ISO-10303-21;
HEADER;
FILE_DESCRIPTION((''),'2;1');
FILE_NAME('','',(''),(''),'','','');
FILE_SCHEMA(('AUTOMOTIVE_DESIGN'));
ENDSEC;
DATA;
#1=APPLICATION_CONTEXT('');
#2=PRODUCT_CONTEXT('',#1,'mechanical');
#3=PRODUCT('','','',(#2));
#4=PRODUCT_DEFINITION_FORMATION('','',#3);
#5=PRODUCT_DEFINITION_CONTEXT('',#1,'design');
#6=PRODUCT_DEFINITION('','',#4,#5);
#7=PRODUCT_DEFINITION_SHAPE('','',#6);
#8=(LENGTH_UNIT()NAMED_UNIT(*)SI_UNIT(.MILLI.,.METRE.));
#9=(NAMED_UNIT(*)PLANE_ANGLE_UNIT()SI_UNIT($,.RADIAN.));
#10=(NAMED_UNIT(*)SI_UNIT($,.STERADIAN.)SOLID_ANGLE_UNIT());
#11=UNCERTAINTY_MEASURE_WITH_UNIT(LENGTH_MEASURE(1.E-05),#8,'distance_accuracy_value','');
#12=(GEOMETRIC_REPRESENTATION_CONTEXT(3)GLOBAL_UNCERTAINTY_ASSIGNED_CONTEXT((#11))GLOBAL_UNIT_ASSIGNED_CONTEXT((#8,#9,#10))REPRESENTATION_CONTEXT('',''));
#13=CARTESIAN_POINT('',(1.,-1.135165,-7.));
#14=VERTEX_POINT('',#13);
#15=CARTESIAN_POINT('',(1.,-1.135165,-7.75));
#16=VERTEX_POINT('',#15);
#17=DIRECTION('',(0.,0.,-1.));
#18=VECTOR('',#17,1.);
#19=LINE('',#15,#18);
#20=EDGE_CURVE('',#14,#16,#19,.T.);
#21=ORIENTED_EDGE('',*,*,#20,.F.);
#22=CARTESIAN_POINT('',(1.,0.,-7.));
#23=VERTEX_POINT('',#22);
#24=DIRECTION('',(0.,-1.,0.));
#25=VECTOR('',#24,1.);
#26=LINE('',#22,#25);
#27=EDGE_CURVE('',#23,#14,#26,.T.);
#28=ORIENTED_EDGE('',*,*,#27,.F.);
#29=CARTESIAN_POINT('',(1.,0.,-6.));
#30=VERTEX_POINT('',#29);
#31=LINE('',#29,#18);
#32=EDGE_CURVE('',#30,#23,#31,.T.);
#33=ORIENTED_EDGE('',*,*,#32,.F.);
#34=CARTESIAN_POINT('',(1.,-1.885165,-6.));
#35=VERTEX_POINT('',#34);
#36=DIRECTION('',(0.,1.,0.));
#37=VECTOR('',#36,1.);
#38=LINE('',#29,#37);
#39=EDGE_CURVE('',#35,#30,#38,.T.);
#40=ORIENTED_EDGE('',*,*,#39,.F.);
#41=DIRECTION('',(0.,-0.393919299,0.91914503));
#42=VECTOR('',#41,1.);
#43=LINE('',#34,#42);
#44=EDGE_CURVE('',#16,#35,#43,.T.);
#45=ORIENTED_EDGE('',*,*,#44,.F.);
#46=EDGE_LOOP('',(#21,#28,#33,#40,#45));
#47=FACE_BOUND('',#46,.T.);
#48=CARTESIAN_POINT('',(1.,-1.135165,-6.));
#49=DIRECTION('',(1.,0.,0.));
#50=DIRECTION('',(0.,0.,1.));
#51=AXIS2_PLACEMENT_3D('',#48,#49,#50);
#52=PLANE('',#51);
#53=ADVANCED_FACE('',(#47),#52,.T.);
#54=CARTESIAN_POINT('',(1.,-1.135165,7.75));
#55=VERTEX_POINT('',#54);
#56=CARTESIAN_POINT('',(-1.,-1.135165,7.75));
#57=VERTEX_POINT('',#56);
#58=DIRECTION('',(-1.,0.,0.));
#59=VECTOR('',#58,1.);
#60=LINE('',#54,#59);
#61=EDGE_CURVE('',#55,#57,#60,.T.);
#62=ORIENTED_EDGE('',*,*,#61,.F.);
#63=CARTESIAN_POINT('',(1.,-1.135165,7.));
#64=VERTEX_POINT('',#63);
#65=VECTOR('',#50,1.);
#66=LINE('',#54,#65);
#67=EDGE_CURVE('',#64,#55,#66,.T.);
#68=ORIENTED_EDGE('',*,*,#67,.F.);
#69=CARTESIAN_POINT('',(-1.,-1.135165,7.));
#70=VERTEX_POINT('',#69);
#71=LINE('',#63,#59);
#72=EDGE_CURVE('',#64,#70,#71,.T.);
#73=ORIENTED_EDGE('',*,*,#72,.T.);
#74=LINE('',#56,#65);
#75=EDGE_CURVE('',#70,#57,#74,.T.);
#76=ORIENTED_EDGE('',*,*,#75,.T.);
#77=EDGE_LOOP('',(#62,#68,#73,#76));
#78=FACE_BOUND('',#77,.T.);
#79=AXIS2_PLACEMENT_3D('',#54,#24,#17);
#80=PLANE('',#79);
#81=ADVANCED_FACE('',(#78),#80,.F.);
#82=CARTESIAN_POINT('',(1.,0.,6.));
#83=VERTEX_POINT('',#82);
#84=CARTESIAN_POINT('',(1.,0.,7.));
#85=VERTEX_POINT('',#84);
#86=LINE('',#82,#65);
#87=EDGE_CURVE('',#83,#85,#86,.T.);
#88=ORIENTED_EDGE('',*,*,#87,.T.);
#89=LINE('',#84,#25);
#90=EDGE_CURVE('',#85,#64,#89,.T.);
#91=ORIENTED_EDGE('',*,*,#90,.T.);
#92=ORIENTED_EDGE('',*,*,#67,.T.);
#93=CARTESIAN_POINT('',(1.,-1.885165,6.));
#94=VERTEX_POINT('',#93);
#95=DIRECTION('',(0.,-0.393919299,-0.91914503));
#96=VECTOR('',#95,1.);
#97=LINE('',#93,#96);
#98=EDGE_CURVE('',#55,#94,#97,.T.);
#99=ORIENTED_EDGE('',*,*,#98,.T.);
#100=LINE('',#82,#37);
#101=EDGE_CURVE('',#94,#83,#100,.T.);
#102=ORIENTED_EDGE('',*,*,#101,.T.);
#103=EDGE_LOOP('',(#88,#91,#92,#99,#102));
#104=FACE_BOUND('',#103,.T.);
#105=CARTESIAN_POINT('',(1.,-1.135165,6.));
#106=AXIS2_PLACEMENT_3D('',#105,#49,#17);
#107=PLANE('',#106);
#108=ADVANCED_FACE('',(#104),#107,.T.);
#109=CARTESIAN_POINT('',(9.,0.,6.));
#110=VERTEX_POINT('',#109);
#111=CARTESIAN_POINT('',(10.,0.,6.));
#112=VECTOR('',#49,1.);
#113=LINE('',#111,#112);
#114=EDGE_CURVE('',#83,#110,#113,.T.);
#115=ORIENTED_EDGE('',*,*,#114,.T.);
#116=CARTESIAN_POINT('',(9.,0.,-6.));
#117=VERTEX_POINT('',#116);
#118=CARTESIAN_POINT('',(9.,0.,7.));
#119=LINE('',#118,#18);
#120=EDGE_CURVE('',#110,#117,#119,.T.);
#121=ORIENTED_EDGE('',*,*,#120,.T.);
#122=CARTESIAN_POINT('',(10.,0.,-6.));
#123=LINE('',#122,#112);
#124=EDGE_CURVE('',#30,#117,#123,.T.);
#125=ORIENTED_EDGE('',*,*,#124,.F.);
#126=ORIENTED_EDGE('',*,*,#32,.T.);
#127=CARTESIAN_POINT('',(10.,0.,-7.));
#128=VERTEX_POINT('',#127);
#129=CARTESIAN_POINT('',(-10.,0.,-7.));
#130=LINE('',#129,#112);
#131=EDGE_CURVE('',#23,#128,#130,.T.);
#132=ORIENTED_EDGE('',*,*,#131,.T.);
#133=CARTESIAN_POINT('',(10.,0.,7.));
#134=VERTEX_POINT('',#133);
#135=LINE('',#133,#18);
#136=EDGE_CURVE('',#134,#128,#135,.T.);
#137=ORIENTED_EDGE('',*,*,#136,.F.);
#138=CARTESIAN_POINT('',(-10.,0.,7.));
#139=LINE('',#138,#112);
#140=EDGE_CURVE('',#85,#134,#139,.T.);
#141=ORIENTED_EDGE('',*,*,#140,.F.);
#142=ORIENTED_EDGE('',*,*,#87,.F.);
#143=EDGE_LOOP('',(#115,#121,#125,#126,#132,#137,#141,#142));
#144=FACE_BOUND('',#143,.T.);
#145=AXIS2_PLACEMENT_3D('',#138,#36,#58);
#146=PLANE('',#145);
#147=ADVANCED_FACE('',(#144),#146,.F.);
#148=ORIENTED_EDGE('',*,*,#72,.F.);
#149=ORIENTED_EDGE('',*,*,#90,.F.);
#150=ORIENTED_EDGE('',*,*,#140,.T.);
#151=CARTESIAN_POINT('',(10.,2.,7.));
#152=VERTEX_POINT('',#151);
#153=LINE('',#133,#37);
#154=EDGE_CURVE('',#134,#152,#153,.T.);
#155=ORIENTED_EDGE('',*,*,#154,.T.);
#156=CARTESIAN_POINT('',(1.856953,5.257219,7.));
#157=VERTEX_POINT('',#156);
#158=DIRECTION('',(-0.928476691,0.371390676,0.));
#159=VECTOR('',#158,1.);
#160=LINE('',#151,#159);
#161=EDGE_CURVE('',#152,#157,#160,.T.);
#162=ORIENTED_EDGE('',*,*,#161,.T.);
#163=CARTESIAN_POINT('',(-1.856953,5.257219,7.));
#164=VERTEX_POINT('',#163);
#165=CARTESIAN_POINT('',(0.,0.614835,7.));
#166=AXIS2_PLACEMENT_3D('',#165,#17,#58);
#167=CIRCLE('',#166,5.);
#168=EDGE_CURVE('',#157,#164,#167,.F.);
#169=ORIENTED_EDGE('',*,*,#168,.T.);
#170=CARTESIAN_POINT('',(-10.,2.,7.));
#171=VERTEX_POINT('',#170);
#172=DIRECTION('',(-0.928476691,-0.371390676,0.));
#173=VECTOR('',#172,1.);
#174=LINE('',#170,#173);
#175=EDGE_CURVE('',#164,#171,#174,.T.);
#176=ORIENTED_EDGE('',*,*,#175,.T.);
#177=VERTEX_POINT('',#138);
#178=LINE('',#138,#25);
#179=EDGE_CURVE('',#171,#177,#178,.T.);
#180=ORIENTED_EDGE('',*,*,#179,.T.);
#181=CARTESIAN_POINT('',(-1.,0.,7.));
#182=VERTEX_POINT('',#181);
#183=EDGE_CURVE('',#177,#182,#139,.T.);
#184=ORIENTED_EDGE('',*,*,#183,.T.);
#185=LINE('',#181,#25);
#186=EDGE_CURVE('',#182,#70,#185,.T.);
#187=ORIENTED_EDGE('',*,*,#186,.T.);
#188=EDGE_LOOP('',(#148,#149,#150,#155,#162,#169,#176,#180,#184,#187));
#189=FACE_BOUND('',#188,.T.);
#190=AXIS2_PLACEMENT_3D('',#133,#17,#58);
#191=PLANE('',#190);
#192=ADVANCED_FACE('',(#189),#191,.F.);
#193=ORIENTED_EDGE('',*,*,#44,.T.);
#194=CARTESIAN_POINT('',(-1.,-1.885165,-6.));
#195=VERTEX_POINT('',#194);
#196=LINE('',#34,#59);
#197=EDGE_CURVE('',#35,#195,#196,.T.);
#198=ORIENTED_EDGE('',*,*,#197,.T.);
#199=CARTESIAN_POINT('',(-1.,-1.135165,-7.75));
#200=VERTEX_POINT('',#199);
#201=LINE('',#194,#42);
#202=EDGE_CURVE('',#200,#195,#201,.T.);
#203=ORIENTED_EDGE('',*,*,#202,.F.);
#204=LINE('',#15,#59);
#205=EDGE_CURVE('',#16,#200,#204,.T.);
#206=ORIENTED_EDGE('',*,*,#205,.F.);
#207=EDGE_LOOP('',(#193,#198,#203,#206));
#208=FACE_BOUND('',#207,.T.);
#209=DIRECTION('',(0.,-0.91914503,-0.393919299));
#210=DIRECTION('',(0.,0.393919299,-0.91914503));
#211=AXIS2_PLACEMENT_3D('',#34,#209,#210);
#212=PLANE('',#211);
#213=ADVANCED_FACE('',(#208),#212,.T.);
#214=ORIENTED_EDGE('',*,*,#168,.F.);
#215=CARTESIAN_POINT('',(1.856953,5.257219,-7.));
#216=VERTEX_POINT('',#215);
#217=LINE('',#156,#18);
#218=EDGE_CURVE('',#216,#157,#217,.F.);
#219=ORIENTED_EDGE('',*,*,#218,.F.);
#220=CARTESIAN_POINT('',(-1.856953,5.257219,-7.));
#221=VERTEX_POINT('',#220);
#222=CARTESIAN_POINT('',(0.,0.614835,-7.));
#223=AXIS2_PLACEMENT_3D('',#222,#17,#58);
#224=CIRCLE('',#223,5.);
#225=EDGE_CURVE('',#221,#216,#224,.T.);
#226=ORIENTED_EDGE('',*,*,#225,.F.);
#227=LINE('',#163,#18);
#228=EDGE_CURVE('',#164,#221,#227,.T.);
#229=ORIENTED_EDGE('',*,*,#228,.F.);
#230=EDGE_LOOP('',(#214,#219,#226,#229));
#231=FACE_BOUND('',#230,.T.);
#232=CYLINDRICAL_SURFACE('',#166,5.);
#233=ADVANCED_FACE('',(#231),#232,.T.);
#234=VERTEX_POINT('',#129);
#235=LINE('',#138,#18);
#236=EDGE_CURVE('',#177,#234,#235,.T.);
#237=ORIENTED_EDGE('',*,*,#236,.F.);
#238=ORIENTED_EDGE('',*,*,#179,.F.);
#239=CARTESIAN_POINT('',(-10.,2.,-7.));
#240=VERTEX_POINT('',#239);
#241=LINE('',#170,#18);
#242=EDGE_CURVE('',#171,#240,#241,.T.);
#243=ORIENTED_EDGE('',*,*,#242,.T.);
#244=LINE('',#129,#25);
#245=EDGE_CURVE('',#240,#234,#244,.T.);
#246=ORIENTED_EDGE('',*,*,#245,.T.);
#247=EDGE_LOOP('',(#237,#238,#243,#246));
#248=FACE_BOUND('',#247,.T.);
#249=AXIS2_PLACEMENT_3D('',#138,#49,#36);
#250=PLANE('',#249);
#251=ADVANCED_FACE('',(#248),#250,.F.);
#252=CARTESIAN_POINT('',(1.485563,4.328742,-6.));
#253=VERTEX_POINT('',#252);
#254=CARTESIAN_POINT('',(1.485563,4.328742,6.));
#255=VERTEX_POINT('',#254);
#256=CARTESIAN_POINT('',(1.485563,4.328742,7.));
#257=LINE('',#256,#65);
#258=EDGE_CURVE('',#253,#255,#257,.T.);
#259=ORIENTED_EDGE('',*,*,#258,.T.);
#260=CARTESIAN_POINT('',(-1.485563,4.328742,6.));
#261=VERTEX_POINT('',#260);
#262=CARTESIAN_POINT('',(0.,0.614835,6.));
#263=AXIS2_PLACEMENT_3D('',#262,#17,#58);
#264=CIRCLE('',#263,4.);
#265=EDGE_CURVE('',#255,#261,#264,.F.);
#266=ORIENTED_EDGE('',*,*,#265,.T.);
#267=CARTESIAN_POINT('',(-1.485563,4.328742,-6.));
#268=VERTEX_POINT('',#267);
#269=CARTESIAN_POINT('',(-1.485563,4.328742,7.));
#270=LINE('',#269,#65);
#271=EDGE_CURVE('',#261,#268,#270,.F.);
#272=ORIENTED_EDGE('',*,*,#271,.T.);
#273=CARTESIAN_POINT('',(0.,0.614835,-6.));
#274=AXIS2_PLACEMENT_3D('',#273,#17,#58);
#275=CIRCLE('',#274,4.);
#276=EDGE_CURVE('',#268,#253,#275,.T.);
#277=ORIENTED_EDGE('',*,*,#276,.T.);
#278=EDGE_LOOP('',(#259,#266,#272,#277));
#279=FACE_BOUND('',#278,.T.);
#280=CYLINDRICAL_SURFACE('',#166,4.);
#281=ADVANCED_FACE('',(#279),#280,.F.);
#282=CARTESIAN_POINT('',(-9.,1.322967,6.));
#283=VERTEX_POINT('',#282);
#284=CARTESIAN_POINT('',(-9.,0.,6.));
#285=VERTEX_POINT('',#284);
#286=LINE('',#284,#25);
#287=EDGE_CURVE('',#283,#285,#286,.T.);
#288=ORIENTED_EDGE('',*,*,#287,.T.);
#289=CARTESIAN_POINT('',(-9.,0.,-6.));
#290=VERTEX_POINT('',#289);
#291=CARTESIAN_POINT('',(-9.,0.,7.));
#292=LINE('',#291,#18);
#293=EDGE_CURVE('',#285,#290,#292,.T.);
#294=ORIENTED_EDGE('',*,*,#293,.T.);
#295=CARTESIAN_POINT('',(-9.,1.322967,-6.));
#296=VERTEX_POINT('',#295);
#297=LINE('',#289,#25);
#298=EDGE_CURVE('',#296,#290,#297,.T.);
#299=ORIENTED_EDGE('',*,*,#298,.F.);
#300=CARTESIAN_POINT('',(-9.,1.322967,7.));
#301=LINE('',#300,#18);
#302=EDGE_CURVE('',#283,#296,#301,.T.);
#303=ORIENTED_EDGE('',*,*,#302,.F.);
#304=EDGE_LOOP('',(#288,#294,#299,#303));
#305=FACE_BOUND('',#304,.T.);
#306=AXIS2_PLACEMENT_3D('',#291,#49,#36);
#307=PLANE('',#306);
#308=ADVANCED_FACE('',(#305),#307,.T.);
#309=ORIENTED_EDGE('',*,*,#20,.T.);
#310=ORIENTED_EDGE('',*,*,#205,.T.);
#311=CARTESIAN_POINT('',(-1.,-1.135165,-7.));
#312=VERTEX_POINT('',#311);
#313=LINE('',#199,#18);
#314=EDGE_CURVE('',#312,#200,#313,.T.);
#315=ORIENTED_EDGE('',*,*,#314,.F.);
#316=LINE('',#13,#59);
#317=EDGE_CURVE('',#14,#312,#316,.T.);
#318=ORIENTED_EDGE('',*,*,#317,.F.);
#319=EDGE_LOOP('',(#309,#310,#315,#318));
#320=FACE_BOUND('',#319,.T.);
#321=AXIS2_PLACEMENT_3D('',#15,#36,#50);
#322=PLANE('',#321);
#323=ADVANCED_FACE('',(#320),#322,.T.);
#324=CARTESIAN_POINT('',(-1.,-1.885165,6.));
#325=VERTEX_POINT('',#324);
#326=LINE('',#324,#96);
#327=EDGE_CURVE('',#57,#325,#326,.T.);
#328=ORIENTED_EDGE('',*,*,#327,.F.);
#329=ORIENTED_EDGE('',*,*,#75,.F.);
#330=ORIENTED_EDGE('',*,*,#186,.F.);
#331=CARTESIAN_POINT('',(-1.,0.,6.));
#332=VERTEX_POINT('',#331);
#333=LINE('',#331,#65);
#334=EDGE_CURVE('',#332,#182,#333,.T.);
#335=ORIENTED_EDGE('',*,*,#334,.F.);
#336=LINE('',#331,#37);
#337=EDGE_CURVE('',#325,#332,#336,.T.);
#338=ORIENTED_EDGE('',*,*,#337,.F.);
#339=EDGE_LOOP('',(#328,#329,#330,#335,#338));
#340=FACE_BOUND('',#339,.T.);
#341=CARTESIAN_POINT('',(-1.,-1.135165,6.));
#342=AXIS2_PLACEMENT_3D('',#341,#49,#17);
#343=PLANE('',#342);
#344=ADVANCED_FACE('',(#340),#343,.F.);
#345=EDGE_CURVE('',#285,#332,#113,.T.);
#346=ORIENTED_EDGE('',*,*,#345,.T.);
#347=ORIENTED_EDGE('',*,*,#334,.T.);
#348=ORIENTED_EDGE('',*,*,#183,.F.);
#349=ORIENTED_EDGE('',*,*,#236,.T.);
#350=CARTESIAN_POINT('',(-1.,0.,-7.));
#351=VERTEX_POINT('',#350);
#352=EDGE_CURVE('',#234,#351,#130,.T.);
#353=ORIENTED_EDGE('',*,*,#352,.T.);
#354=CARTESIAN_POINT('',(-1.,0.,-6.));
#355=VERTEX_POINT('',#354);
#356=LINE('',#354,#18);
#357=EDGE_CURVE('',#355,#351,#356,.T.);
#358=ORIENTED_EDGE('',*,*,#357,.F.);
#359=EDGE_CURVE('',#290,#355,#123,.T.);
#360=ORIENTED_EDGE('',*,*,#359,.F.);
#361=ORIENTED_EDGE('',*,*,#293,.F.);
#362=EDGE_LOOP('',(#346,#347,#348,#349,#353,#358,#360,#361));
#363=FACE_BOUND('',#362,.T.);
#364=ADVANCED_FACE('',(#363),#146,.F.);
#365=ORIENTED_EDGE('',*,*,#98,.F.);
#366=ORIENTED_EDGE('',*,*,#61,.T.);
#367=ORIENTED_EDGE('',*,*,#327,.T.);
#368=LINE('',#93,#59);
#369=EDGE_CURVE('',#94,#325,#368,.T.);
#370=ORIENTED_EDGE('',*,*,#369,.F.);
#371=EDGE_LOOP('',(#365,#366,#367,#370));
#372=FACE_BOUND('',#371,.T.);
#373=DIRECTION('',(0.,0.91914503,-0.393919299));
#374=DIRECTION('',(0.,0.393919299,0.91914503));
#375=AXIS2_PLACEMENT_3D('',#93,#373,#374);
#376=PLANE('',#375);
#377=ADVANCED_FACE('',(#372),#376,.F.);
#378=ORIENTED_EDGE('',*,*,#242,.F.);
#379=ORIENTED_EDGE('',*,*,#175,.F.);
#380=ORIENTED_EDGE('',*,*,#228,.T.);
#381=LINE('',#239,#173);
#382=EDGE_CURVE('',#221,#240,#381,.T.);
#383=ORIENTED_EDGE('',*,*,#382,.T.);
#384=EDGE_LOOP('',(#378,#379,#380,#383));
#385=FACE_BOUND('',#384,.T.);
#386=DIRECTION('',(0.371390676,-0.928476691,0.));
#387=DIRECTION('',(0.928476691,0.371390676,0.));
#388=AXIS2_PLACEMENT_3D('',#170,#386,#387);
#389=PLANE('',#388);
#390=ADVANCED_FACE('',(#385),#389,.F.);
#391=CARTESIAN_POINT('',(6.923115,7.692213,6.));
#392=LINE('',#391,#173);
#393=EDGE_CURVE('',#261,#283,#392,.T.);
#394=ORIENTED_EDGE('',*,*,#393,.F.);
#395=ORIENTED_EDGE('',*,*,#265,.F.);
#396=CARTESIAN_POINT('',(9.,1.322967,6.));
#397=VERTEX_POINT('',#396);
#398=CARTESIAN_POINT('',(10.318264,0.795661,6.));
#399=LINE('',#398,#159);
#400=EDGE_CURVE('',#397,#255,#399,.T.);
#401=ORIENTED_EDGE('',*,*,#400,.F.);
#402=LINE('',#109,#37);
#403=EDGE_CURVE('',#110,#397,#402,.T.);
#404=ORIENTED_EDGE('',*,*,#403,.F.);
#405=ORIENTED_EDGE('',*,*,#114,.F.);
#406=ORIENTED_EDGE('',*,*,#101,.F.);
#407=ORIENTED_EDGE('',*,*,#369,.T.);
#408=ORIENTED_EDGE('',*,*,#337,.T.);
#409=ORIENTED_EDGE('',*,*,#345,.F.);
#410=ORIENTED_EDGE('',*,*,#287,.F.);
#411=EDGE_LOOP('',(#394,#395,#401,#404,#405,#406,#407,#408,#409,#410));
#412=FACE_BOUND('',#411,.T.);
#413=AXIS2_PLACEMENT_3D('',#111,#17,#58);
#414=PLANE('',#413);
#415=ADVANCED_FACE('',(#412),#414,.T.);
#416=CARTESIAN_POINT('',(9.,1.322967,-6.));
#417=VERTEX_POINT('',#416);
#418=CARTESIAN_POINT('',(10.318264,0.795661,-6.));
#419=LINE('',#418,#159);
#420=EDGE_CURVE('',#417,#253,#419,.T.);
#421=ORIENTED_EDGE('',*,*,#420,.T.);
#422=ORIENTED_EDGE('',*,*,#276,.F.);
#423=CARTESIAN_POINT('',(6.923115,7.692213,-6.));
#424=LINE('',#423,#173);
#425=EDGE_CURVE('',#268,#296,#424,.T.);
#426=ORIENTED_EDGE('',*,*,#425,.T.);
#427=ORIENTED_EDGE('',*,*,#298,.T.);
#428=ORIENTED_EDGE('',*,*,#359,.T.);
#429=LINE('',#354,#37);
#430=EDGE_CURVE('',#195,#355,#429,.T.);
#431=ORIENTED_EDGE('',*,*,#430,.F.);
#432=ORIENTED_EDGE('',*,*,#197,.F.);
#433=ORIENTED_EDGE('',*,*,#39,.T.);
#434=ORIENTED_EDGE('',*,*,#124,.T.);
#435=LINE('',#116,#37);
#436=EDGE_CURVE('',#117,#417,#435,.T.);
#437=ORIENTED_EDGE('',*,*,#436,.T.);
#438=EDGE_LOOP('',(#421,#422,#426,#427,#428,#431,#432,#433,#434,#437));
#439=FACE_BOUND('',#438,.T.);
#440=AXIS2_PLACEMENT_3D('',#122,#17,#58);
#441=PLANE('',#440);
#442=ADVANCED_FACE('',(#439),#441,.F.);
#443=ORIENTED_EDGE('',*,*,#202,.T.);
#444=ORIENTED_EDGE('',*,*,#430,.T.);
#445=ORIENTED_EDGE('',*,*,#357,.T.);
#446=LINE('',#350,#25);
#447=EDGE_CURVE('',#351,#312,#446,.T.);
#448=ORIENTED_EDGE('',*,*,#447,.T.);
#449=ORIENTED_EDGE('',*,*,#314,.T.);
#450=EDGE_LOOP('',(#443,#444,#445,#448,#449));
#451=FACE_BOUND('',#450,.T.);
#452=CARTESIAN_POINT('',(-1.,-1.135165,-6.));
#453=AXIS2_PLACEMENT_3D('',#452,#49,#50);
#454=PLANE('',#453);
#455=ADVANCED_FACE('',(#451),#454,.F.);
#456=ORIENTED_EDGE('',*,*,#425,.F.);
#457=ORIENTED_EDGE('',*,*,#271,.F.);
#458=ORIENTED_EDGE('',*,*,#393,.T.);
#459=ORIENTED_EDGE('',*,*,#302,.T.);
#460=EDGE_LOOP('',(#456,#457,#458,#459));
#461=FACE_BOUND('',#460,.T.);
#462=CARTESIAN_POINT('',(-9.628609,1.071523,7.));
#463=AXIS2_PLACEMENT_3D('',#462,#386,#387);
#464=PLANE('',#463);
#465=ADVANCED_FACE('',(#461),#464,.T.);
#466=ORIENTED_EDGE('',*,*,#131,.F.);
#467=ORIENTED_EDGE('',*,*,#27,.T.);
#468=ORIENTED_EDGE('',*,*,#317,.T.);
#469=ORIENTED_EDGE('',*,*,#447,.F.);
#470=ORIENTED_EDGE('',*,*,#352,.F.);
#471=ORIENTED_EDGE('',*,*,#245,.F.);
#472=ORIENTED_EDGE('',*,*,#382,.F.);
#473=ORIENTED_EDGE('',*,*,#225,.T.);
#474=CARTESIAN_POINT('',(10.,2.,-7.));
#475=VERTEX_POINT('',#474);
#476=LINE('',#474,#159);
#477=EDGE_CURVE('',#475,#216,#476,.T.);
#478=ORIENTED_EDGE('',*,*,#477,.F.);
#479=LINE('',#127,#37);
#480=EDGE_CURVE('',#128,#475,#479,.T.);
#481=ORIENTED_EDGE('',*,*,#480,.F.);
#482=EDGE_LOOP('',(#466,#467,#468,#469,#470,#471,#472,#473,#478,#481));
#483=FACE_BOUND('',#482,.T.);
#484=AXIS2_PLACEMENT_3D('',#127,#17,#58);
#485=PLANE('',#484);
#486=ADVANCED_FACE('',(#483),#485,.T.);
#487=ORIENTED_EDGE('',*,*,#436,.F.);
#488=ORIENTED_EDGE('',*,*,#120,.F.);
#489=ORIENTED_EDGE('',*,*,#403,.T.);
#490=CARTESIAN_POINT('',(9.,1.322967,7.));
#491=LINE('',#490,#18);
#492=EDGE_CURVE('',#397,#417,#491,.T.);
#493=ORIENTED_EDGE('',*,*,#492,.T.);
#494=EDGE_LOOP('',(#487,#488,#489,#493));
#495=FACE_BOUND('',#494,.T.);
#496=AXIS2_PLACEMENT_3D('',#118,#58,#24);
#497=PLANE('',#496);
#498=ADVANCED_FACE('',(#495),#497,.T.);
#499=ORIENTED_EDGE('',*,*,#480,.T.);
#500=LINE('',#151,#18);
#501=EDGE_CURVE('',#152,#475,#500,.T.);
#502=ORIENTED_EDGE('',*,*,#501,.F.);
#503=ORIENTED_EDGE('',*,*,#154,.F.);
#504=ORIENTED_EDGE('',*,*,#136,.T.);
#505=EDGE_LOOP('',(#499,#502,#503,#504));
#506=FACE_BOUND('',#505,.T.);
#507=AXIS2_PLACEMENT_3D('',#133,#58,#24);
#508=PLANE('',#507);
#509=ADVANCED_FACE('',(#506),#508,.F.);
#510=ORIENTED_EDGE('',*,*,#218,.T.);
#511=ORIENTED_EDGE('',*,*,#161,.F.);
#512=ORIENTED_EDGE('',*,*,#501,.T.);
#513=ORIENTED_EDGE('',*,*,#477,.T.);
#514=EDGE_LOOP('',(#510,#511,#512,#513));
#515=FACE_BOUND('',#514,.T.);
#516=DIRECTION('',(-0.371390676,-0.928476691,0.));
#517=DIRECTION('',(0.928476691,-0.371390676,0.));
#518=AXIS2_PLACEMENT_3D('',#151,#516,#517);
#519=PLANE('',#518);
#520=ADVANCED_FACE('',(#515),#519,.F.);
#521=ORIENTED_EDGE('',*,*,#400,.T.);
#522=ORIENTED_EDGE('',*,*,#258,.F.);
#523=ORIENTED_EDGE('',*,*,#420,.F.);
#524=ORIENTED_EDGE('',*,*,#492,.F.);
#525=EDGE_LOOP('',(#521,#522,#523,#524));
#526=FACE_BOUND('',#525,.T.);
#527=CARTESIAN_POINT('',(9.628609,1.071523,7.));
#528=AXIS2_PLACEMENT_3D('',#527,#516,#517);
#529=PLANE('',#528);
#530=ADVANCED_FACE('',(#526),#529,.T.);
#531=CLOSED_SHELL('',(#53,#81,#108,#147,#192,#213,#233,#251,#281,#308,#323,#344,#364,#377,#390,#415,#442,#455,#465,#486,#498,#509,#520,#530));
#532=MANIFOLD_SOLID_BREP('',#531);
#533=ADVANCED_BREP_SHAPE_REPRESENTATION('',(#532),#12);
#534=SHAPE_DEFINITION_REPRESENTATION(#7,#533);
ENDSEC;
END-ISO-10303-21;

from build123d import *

# Parameters (mm, degrees)
EXTRUDE1_DEPTH = 7
FILLET1_R      = 5
SHELL1_T       = -1
EXTRUDE2_DEPTH = 1


with BuildPart() as part:
    # Sketch1 → Extrude1 (new body, symmetric)
    with BuildSketch(Plane.XY):
        Polygon((-10, 0), (10, 0), (10, 2), (0, 6), (-10, 2), align=None)
    extrude(amount=EXTRUDE1_DEPTH, both=True)

    # Fillet1
    fillet1_edges = [part.edges().sort_by_distance(p)[0] for p in [
        (0, 6, 0),
    ]]
    fillet(fillet1_edges, radius=FILLET1_R)

    # Shell1
    shell1_openings = [part.faces().sort_by_distance(p)[0] for p in [
        (0, 0, 0),
    ]]
    offset(amount=SHELL1_T, openings=shell1_openings, kind=Kind.INTERSECTION)

    # Sketch2 → Extrude2 (add, symmetric)
    with BuildSketch(Plane(origin=(0, 0, 0), x_dir=(0, 0, -1), z_dir=(1, 0, 0))):
        Polygon((-6, 0), (-7, 0), (-7, -1.135164807), (-7.75, -1.135164807), (-6, -1.885164807), align=None)
    extrude2 = extrude(amount=EXTRUDE2_DEPTH, both=True)

    # Mirror1: Extrude2 across plane
    add(extrude2.mirror(Plane.XY))


solid = part.part
